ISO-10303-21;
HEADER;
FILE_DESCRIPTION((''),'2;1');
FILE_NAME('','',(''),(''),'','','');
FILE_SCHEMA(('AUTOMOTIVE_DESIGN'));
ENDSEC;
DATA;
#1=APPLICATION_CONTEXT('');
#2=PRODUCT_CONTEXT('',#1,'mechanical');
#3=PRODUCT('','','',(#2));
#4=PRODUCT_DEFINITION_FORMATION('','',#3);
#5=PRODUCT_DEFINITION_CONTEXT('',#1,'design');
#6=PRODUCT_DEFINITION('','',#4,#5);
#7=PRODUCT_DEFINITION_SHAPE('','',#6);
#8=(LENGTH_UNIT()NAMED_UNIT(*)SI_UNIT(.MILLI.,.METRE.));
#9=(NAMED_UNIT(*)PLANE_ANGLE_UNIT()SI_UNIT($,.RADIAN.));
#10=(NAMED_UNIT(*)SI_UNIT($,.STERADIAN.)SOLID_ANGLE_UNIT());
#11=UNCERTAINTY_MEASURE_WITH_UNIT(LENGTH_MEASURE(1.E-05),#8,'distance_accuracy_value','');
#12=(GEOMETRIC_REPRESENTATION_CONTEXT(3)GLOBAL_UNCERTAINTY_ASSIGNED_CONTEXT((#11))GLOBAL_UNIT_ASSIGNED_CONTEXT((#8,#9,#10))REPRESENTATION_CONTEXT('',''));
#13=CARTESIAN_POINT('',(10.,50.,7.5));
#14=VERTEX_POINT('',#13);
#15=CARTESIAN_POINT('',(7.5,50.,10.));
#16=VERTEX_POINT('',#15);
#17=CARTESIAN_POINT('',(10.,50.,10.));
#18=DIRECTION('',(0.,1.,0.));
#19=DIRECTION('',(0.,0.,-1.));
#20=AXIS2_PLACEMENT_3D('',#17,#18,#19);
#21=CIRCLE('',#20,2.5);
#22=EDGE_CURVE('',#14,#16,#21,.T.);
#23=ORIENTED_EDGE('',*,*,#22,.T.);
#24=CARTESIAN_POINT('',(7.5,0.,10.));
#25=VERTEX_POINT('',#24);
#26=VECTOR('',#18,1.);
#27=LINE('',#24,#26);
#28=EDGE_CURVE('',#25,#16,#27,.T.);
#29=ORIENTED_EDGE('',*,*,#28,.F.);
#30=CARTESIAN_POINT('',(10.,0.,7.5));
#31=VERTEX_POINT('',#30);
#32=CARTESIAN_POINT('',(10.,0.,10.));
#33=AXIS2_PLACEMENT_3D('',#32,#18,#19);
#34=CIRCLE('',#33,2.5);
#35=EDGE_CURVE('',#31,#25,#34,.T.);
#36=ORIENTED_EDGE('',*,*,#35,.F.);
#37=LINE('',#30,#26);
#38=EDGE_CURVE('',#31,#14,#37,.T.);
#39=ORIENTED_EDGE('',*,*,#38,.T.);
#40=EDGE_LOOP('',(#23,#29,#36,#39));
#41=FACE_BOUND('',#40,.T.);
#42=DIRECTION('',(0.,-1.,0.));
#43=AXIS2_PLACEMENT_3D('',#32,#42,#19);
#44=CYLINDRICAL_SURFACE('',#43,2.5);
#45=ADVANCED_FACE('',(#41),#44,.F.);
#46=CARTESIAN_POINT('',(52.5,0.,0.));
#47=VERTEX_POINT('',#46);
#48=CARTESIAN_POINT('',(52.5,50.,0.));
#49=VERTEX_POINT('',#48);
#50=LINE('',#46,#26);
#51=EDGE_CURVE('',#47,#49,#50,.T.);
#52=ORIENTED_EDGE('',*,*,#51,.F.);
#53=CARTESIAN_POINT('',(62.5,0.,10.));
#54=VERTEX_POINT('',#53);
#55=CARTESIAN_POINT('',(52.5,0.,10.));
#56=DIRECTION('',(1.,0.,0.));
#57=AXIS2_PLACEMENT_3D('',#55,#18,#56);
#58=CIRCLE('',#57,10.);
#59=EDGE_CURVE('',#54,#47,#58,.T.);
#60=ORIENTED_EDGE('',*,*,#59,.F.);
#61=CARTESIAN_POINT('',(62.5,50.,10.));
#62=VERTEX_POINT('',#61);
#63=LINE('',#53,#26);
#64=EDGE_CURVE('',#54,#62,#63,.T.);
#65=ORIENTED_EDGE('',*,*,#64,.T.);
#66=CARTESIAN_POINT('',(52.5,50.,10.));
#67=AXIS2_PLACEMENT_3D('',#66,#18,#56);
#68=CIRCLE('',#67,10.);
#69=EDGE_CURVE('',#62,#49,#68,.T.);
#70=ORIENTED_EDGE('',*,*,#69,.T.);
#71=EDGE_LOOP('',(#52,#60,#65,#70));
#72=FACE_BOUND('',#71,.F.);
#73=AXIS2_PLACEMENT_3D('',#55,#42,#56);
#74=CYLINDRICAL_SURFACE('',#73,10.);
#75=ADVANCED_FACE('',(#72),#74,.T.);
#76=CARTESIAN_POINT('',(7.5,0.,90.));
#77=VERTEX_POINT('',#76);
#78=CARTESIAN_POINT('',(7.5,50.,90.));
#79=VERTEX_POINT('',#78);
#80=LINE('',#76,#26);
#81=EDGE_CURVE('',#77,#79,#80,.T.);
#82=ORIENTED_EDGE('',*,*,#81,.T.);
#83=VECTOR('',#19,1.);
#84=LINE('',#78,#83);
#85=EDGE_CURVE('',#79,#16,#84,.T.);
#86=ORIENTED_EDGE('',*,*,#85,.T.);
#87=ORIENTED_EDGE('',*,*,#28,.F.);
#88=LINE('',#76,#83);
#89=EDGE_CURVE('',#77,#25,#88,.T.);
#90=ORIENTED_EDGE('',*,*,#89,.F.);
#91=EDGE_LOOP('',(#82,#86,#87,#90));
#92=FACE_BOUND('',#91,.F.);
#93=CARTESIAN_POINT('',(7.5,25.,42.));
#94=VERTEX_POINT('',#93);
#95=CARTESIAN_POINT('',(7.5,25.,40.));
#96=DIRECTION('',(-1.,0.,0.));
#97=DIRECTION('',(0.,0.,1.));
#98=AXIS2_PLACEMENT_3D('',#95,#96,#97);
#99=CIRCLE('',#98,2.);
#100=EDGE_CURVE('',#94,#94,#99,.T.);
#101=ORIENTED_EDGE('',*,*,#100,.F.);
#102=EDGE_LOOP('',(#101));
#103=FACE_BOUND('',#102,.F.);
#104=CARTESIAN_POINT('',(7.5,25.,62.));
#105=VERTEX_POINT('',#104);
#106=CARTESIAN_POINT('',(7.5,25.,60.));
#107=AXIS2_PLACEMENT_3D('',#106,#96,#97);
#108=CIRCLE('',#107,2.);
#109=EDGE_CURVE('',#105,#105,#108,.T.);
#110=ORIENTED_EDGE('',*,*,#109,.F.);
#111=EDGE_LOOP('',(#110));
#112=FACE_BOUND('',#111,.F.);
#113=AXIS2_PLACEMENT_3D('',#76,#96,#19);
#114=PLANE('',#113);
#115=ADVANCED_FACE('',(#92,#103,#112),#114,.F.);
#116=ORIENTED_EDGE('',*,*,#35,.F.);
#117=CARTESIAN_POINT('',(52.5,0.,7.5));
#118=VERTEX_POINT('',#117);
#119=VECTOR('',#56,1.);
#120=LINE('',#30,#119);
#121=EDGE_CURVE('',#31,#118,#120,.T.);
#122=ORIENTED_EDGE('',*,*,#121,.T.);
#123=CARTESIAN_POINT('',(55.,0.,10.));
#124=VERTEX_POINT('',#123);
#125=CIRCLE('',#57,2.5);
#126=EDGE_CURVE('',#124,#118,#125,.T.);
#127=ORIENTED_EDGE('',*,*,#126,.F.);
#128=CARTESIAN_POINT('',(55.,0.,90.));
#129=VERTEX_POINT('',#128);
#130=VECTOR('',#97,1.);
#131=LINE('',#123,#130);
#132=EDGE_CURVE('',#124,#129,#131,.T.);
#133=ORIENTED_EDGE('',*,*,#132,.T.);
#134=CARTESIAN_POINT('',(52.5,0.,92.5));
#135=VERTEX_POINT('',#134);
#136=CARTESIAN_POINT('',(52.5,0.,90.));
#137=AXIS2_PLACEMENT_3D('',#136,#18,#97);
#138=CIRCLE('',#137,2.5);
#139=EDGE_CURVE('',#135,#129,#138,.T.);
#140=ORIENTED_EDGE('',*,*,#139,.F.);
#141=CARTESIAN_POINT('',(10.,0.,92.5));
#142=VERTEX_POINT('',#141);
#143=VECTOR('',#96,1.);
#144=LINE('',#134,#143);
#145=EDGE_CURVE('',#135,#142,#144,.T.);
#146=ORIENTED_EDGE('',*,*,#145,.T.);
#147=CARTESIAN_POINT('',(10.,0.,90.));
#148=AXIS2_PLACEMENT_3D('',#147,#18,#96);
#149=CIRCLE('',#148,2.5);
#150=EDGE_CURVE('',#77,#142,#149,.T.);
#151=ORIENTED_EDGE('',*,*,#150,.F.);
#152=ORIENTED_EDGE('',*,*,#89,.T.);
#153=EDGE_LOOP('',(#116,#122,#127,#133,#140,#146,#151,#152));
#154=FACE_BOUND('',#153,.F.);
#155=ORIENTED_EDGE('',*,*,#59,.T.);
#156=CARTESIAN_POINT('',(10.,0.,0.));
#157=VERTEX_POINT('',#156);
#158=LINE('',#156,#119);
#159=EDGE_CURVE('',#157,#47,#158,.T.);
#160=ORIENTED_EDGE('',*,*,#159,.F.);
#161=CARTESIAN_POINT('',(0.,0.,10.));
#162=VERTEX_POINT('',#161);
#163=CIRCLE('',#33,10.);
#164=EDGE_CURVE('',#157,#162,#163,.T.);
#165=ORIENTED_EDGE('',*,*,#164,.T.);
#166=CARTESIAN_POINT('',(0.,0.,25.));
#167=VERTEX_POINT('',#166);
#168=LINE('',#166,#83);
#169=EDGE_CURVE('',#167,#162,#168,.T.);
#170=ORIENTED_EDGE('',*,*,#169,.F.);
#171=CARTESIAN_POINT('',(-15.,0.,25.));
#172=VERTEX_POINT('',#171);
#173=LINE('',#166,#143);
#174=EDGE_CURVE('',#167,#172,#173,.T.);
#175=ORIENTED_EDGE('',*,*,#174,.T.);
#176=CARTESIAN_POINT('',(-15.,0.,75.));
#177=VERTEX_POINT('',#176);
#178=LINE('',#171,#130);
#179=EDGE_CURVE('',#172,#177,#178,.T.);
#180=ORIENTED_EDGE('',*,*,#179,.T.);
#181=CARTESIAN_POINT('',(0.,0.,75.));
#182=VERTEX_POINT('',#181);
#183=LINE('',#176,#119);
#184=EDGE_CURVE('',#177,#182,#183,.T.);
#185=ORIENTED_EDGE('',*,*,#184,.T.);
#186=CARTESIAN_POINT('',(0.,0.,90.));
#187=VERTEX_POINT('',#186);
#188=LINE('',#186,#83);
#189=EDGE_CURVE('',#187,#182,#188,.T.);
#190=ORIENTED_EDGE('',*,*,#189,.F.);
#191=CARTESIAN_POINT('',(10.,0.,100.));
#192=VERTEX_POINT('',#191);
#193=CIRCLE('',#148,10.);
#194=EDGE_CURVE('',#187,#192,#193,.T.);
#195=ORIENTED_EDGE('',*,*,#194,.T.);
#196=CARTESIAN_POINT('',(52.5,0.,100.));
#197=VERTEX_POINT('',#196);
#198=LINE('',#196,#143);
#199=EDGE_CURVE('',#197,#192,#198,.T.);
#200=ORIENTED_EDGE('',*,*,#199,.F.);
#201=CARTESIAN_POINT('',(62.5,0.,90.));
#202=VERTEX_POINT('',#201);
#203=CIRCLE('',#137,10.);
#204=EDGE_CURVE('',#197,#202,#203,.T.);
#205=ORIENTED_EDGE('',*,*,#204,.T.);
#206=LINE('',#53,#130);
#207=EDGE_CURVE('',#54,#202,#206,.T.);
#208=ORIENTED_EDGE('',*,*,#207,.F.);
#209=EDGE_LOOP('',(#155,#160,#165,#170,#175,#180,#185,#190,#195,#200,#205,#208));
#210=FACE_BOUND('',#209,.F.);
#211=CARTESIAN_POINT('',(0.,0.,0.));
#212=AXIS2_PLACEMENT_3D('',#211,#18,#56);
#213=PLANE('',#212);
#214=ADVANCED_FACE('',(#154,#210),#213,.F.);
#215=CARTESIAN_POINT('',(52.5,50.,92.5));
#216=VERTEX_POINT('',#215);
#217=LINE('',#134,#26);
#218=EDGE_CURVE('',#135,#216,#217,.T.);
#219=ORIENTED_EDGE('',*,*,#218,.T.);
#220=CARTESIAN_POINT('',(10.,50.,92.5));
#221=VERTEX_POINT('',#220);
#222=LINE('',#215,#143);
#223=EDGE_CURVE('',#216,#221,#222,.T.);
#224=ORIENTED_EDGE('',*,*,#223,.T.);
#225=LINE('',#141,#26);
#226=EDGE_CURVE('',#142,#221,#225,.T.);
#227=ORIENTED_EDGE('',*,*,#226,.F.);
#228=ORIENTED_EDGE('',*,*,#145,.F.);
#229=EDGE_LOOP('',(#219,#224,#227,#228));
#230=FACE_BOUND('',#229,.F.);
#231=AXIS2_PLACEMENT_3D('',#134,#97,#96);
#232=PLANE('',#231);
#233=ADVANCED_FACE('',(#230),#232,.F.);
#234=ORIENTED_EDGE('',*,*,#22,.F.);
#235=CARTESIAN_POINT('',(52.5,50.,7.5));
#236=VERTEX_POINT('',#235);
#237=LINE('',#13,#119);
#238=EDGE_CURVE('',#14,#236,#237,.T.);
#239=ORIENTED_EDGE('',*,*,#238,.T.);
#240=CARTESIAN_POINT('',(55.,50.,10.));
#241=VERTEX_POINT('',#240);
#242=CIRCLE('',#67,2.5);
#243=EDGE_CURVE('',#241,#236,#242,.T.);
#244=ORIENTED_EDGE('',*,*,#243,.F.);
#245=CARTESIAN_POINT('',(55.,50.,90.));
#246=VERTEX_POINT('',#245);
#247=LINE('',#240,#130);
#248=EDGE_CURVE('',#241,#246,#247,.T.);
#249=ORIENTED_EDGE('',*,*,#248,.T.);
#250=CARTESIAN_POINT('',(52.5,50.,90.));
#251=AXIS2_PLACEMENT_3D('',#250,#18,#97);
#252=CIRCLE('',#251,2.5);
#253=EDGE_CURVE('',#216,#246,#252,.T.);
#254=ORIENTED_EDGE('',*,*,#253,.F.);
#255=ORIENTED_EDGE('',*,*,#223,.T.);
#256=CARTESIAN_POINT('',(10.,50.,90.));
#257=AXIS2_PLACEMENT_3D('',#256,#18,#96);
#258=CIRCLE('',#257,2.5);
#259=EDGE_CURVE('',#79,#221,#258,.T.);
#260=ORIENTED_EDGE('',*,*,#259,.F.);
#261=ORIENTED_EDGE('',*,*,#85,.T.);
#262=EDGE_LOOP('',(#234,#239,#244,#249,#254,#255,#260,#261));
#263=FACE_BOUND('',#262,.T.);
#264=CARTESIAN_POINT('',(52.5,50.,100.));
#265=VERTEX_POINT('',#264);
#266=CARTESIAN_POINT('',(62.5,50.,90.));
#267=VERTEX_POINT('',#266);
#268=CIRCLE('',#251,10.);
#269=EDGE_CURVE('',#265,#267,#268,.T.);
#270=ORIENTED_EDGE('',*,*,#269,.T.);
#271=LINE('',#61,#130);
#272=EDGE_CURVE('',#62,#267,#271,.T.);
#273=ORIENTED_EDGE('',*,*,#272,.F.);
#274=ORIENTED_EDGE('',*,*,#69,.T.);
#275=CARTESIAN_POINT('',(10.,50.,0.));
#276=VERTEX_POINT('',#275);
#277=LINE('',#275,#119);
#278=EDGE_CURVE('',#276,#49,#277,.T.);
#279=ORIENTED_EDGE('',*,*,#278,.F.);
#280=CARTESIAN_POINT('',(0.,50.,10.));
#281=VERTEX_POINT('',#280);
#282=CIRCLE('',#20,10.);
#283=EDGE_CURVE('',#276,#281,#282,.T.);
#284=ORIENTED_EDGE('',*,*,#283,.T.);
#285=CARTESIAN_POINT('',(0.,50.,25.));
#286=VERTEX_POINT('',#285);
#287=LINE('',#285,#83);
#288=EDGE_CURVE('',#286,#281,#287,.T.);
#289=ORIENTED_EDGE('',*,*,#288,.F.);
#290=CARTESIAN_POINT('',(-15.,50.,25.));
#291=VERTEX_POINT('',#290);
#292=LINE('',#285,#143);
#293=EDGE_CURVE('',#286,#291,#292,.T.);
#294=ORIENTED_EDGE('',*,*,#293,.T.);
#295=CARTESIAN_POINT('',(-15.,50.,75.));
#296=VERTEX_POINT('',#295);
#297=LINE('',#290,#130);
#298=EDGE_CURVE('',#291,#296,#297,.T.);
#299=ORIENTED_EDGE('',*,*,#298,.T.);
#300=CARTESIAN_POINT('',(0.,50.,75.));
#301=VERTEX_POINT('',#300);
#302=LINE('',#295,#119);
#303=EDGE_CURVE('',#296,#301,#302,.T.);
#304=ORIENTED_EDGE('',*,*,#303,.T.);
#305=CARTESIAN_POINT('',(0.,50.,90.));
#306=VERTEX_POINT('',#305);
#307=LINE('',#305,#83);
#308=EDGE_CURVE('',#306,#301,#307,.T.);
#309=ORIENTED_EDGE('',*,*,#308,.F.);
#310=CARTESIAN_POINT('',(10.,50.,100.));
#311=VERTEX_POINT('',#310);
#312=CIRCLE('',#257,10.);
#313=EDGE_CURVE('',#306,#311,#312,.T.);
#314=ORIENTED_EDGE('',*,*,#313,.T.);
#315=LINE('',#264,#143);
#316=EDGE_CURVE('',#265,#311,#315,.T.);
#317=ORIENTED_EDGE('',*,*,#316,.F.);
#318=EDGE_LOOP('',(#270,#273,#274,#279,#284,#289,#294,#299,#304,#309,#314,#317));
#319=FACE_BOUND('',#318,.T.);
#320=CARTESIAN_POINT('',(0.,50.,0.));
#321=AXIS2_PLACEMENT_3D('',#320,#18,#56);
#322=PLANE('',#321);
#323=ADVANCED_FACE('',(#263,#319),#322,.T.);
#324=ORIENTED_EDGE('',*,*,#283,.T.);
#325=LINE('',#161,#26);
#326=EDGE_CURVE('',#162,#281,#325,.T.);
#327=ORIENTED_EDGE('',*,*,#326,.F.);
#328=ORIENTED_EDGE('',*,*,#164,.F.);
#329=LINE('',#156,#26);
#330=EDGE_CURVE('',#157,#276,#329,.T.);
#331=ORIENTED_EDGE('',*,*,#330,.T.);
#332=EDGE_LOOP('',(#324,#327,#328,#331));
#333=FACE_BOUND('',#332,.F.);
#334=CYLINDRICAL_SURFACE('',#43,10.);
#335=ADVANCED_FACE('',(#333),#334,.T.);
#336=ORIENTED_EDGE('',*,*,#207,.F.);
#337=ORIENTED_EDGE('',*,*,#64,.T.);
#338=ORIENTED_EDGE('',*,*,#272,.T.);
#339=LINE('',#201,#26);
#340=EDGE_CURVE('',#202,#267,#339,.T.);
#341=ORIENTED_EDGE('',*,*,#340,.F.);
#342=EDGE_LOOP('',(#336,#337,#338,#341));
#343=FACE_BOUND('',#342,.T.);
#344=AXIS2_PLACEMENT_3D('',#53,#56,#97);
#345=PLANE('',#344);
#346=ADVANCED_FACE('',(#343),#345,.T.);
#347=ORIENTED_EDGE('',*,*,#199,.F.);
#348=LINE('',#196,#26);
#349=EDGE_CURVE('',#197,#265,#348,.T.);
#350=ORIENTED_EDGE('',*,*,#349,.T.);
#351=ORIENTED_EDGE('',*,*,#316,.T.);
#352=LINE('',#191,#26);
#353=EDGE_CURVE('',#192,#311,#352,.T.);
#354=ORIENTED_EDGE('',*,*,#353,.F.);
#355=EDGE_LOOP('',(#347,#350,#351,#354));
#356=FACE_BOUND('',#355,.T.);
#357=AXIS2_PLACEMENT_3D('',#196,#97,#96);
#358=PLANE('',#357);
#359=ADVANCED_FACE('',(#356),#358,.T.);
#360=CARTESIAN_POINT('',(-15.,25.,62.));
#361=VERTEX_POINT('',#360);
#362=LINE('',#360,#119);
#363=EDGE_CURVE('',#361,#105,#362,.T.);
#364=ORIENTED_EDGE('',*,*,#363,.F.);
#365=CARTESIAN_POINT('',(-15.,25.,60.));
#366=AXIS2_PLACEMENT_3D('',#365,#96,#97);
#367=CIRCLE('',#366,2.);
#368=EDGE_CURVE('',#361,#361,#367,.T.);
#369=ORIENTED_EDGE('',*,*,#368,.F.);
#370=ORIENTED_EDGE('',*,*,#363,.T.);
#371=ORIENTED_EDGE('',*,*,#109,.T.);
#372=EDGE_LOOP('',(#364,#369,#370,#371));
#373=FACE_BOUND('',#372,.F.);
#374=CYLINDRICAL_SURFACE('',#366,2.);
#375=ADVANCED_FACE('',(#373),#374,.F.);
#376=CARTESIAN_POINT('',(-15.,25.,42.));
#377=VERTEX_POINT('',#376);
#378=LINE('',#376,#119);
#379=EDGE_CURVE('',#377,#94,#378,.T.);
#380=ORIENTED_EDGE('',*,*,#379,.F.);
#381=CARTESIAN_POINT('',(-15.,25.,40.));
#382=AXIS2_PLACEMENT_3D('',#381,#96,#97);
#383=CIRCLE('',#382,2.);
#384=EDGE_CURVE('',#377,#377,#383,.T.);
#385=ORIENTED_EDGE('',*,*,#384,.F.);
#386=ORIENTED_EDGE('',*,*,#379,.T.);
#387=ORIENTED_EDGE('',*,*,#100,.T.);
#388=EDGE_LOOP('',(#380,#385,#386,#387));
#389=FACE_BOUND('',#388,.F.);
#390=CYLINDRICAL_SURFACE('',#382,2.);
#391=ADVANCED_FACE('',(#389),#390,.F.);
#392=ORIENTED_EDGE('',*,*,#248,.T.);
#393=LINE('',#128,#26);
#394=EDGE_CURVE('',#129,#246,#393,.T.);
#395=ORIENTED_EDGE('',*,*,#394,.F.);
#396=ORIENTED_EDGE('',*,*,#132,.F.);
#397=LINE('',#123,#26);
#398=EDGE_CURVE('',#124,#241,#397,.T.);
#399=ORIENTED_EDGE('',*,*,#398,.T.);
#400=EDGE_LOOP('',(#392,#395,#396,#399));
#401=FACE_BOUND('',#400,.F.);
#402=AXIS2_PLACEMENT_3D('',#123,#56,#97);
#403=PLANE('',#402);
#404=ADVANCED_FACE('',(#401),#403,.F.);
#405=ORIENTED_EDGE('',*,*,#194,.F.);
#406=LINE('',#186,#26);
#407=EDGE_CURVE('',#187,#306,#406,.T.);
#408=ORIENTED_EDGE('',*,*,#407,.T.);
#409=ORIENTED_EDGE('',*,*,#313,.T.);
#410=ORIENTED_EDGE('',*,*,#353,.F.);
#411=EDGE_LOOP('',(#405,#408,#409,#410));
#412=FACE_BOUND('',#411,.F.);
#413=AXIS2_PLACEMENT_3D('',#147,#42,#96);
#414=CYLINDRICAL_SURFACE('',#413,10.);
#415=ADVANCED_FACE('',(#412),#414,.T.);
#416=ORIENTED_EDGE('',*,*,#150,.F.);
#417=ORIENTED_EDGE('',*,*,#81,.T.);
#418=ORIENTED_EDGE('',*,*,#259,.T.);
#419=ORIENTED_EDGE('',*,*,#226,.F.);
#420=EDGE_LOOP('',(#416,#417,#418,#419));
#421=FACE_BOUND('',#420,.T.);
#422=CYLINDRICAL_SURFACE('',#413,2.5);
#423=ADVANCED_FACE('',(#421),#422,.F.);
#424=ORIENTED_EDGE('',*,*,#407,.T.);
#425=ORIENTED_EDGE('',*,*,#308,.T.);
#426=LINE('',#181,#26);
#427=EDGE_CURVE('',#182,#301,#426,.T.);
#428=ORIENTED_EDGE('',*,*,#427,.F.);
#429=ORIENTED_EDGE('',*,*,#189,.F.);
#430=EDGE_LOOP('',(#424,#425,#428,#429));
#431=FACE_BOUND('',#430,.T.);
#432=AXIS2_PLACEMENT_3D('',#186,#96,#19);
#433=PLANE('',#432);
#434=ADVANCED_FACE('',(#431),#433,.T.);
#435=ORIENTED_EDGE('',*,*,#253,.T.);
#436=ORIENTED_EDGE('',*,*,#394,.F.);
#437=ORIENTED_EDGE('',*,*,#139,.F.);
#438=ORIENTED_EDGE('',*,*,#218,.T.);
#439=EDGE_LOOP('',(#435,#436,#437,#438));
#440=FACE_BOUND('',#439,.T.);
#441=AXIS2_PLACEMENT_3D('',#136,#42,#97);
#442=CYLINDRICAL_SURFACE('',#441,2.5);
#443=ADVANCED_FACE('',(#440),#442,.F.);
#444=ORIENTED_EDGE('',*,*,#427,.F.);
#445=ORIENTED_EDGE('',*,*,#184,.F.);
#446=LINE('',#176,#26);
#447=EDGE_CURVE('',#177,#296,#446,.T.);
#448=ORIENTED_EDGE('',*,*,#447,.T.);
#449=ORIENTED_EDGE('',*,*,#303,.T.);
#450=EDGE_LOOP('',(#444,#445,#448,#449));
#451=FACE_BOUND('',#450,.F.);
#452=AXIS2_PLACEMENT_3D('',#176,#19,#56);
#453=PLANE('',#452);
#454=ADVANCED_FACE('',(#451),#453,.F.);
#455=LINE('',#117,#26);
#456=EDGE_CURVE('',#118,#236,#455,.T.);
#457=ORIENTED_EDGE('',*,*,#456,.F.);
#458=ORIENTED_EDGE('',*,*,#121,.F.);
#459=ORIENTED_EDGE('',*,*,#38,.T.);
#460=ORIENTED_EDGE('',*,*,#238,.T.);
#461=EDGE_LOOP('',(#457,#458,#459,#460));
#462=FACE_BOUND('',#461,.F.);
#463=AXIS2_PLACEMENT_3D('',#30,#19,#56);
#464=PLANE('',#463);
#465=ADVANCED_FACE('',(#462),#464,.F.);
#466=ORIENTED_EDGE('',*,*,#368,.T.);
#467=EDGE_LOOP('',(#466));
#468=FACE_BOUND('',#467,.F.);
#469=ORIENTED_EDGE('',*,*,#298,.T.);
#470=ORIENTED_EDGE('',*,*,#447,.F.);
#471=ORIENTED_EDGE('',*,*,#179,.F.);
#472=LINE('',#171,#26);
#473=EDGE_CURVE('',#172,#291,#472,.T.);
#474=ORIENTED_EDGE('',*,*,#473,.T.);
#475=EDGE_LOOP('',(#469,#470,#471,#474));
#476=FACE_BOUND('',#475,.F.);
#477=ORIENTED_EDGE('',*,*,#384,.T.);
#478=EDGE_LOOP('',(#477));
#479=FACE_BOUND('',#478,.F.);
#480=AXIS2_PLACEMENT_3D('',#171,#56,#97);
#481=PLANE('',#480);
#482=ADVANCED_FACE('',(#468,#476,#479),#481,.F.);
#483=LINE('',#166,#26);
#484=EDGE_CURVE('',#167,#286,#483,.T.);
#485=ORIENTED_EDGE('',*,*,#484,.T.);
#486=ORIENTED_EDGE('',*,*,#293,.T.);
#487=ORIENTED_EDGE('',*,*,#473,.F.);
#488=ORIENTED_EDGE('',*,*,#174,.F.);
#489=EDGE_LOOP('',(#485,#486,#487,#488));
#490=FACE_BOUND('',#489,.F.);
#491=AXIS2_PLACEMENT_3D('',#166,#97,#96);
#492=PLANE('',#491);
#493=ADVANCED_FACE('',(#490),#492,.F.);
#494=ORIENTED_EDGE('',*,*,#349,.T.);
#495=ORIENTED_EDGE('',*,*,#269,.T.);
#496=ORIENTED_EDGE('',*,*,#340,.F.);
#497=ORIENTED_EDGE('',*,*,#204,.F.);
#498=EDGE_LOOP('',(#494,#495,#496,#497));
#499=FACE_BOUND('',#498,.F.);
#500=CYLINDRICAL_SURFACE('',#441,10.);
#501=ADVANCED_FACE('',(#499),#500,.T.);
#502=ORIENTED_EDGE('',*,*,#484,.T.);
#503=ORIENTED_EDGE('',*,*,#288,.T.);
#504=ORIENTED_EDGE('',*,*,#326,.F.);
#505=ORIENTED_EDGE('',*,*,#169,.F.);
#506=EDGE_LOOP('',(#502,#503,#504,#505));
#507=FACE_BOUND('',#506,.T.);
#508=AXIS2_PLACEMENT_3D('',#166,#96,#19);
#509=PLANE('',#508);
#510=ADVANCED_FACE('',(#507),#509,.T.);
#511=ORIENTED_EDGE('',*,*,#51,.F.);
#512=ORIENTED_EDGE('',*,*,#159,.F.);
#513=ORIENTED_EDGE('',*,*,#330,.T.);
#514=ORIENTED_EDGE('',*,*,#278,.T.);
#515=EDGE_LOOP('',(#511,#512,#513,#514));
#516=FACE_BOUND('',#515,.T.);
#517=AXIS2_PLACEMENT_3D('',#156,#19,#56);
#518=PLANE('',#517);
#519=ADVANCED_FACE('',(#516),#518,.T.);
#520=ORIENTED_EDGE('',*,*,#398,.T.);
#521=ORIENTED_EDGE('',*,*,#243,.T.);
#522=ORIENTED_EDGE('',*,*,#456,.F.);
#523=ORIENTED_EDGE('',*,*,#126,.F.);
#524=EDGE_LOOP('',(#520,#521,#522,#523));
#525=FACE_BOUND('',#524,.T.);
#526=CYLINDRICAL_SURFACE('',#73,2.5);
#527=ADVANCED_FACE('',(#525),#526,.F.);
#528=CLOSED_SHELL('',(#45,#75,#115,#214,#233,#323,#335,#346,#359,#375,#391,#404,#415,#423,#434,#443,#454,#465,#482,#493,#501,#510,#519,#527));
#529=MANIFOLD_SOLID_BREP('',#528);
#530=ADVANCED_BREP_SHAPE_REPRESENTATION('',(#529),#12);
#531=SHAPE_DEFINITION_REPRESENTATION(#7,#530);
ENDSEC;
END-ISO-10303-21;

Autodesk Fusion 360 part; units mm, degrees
sketch "Sketch1" plane through (0, 0, 0) normal (1, 0, 0) x (0, 0, -1)
sketch "Sketch2" plane through (0, 0, 0) normal (0, 1, 0) x (1, 0, 0)
  line L0 (10, 0) -> (52.5, 0)
  line L1 (62.5, -10) -> (62.5, -90)
  line L2 (52.5, -100) -> (10, -100)
  line L3 (0, -25) -> (-15, -25)
  line L4 (-15, -25) -> (-15, -75)
  line L5 (-15, -75) -> (0, -75)
  arc A0 (10, 0) -> (0, -10) centre (10, -10) ccw
  arc A1 (62.5, -10) -> (52.5, 0) centre (52.5, -10) ccw
  arc A2 (52.5, -100) -> (62.5, -90) centre (52.5, -90) ccw
  arc A3 (0, -90) -> (10, -100) centre (10, -90) ccw
  arc A4 (10, -7.5) -> (7.5, -10) centre (10, -10) ccw
  line L6 (7.5, -90) -> (7.5, -10)
  arc A5 (7.5, -90) -> (10, -92.5) centre (10, -90) ccw
  line L7 (52.5, -92.5) -> (10, -92.5)
  arc A6 (52.5, -92.5) -> (55, -90) centre (52.5, -90) ccw
  line L8 (55, -10) -> (55, -90)
  arc A7 (55, -10) -> (52.5, -7.5) centre (52.5, -10) ccw
  line L9 (10, -7.5) -> (52.5, -7.5)
  line L10 (0, -90) -> (0, -75)
  line L11 (0, -25) -> (0, -10)
  point P0 (62.5, 0)
  point P1 (0, -100)
extrude "Extrude1" add sketch "Sketch2" along normal blind 50
sketch "Sketch3" plane through (-15, 0, 0) normal (-1, 0, 0) x (0, 0, 1)
  line L0 (25, 0) -> (75, 0)
  line L1 (75, 0) -> (75, 50)
  line L2 (75, 50) -> (25, 50)
  line L3 (25, 50) -> (25, 0)
  circle A0 centre (40, 25) radius 2
  circle A1 centre (60, 25) radius 2
  dimension "d7" = 4
  dimension "d8" = 4
extrude "Extrude2" cut sketch "Sketch3" against normal blind 45 contours A0 | A1
